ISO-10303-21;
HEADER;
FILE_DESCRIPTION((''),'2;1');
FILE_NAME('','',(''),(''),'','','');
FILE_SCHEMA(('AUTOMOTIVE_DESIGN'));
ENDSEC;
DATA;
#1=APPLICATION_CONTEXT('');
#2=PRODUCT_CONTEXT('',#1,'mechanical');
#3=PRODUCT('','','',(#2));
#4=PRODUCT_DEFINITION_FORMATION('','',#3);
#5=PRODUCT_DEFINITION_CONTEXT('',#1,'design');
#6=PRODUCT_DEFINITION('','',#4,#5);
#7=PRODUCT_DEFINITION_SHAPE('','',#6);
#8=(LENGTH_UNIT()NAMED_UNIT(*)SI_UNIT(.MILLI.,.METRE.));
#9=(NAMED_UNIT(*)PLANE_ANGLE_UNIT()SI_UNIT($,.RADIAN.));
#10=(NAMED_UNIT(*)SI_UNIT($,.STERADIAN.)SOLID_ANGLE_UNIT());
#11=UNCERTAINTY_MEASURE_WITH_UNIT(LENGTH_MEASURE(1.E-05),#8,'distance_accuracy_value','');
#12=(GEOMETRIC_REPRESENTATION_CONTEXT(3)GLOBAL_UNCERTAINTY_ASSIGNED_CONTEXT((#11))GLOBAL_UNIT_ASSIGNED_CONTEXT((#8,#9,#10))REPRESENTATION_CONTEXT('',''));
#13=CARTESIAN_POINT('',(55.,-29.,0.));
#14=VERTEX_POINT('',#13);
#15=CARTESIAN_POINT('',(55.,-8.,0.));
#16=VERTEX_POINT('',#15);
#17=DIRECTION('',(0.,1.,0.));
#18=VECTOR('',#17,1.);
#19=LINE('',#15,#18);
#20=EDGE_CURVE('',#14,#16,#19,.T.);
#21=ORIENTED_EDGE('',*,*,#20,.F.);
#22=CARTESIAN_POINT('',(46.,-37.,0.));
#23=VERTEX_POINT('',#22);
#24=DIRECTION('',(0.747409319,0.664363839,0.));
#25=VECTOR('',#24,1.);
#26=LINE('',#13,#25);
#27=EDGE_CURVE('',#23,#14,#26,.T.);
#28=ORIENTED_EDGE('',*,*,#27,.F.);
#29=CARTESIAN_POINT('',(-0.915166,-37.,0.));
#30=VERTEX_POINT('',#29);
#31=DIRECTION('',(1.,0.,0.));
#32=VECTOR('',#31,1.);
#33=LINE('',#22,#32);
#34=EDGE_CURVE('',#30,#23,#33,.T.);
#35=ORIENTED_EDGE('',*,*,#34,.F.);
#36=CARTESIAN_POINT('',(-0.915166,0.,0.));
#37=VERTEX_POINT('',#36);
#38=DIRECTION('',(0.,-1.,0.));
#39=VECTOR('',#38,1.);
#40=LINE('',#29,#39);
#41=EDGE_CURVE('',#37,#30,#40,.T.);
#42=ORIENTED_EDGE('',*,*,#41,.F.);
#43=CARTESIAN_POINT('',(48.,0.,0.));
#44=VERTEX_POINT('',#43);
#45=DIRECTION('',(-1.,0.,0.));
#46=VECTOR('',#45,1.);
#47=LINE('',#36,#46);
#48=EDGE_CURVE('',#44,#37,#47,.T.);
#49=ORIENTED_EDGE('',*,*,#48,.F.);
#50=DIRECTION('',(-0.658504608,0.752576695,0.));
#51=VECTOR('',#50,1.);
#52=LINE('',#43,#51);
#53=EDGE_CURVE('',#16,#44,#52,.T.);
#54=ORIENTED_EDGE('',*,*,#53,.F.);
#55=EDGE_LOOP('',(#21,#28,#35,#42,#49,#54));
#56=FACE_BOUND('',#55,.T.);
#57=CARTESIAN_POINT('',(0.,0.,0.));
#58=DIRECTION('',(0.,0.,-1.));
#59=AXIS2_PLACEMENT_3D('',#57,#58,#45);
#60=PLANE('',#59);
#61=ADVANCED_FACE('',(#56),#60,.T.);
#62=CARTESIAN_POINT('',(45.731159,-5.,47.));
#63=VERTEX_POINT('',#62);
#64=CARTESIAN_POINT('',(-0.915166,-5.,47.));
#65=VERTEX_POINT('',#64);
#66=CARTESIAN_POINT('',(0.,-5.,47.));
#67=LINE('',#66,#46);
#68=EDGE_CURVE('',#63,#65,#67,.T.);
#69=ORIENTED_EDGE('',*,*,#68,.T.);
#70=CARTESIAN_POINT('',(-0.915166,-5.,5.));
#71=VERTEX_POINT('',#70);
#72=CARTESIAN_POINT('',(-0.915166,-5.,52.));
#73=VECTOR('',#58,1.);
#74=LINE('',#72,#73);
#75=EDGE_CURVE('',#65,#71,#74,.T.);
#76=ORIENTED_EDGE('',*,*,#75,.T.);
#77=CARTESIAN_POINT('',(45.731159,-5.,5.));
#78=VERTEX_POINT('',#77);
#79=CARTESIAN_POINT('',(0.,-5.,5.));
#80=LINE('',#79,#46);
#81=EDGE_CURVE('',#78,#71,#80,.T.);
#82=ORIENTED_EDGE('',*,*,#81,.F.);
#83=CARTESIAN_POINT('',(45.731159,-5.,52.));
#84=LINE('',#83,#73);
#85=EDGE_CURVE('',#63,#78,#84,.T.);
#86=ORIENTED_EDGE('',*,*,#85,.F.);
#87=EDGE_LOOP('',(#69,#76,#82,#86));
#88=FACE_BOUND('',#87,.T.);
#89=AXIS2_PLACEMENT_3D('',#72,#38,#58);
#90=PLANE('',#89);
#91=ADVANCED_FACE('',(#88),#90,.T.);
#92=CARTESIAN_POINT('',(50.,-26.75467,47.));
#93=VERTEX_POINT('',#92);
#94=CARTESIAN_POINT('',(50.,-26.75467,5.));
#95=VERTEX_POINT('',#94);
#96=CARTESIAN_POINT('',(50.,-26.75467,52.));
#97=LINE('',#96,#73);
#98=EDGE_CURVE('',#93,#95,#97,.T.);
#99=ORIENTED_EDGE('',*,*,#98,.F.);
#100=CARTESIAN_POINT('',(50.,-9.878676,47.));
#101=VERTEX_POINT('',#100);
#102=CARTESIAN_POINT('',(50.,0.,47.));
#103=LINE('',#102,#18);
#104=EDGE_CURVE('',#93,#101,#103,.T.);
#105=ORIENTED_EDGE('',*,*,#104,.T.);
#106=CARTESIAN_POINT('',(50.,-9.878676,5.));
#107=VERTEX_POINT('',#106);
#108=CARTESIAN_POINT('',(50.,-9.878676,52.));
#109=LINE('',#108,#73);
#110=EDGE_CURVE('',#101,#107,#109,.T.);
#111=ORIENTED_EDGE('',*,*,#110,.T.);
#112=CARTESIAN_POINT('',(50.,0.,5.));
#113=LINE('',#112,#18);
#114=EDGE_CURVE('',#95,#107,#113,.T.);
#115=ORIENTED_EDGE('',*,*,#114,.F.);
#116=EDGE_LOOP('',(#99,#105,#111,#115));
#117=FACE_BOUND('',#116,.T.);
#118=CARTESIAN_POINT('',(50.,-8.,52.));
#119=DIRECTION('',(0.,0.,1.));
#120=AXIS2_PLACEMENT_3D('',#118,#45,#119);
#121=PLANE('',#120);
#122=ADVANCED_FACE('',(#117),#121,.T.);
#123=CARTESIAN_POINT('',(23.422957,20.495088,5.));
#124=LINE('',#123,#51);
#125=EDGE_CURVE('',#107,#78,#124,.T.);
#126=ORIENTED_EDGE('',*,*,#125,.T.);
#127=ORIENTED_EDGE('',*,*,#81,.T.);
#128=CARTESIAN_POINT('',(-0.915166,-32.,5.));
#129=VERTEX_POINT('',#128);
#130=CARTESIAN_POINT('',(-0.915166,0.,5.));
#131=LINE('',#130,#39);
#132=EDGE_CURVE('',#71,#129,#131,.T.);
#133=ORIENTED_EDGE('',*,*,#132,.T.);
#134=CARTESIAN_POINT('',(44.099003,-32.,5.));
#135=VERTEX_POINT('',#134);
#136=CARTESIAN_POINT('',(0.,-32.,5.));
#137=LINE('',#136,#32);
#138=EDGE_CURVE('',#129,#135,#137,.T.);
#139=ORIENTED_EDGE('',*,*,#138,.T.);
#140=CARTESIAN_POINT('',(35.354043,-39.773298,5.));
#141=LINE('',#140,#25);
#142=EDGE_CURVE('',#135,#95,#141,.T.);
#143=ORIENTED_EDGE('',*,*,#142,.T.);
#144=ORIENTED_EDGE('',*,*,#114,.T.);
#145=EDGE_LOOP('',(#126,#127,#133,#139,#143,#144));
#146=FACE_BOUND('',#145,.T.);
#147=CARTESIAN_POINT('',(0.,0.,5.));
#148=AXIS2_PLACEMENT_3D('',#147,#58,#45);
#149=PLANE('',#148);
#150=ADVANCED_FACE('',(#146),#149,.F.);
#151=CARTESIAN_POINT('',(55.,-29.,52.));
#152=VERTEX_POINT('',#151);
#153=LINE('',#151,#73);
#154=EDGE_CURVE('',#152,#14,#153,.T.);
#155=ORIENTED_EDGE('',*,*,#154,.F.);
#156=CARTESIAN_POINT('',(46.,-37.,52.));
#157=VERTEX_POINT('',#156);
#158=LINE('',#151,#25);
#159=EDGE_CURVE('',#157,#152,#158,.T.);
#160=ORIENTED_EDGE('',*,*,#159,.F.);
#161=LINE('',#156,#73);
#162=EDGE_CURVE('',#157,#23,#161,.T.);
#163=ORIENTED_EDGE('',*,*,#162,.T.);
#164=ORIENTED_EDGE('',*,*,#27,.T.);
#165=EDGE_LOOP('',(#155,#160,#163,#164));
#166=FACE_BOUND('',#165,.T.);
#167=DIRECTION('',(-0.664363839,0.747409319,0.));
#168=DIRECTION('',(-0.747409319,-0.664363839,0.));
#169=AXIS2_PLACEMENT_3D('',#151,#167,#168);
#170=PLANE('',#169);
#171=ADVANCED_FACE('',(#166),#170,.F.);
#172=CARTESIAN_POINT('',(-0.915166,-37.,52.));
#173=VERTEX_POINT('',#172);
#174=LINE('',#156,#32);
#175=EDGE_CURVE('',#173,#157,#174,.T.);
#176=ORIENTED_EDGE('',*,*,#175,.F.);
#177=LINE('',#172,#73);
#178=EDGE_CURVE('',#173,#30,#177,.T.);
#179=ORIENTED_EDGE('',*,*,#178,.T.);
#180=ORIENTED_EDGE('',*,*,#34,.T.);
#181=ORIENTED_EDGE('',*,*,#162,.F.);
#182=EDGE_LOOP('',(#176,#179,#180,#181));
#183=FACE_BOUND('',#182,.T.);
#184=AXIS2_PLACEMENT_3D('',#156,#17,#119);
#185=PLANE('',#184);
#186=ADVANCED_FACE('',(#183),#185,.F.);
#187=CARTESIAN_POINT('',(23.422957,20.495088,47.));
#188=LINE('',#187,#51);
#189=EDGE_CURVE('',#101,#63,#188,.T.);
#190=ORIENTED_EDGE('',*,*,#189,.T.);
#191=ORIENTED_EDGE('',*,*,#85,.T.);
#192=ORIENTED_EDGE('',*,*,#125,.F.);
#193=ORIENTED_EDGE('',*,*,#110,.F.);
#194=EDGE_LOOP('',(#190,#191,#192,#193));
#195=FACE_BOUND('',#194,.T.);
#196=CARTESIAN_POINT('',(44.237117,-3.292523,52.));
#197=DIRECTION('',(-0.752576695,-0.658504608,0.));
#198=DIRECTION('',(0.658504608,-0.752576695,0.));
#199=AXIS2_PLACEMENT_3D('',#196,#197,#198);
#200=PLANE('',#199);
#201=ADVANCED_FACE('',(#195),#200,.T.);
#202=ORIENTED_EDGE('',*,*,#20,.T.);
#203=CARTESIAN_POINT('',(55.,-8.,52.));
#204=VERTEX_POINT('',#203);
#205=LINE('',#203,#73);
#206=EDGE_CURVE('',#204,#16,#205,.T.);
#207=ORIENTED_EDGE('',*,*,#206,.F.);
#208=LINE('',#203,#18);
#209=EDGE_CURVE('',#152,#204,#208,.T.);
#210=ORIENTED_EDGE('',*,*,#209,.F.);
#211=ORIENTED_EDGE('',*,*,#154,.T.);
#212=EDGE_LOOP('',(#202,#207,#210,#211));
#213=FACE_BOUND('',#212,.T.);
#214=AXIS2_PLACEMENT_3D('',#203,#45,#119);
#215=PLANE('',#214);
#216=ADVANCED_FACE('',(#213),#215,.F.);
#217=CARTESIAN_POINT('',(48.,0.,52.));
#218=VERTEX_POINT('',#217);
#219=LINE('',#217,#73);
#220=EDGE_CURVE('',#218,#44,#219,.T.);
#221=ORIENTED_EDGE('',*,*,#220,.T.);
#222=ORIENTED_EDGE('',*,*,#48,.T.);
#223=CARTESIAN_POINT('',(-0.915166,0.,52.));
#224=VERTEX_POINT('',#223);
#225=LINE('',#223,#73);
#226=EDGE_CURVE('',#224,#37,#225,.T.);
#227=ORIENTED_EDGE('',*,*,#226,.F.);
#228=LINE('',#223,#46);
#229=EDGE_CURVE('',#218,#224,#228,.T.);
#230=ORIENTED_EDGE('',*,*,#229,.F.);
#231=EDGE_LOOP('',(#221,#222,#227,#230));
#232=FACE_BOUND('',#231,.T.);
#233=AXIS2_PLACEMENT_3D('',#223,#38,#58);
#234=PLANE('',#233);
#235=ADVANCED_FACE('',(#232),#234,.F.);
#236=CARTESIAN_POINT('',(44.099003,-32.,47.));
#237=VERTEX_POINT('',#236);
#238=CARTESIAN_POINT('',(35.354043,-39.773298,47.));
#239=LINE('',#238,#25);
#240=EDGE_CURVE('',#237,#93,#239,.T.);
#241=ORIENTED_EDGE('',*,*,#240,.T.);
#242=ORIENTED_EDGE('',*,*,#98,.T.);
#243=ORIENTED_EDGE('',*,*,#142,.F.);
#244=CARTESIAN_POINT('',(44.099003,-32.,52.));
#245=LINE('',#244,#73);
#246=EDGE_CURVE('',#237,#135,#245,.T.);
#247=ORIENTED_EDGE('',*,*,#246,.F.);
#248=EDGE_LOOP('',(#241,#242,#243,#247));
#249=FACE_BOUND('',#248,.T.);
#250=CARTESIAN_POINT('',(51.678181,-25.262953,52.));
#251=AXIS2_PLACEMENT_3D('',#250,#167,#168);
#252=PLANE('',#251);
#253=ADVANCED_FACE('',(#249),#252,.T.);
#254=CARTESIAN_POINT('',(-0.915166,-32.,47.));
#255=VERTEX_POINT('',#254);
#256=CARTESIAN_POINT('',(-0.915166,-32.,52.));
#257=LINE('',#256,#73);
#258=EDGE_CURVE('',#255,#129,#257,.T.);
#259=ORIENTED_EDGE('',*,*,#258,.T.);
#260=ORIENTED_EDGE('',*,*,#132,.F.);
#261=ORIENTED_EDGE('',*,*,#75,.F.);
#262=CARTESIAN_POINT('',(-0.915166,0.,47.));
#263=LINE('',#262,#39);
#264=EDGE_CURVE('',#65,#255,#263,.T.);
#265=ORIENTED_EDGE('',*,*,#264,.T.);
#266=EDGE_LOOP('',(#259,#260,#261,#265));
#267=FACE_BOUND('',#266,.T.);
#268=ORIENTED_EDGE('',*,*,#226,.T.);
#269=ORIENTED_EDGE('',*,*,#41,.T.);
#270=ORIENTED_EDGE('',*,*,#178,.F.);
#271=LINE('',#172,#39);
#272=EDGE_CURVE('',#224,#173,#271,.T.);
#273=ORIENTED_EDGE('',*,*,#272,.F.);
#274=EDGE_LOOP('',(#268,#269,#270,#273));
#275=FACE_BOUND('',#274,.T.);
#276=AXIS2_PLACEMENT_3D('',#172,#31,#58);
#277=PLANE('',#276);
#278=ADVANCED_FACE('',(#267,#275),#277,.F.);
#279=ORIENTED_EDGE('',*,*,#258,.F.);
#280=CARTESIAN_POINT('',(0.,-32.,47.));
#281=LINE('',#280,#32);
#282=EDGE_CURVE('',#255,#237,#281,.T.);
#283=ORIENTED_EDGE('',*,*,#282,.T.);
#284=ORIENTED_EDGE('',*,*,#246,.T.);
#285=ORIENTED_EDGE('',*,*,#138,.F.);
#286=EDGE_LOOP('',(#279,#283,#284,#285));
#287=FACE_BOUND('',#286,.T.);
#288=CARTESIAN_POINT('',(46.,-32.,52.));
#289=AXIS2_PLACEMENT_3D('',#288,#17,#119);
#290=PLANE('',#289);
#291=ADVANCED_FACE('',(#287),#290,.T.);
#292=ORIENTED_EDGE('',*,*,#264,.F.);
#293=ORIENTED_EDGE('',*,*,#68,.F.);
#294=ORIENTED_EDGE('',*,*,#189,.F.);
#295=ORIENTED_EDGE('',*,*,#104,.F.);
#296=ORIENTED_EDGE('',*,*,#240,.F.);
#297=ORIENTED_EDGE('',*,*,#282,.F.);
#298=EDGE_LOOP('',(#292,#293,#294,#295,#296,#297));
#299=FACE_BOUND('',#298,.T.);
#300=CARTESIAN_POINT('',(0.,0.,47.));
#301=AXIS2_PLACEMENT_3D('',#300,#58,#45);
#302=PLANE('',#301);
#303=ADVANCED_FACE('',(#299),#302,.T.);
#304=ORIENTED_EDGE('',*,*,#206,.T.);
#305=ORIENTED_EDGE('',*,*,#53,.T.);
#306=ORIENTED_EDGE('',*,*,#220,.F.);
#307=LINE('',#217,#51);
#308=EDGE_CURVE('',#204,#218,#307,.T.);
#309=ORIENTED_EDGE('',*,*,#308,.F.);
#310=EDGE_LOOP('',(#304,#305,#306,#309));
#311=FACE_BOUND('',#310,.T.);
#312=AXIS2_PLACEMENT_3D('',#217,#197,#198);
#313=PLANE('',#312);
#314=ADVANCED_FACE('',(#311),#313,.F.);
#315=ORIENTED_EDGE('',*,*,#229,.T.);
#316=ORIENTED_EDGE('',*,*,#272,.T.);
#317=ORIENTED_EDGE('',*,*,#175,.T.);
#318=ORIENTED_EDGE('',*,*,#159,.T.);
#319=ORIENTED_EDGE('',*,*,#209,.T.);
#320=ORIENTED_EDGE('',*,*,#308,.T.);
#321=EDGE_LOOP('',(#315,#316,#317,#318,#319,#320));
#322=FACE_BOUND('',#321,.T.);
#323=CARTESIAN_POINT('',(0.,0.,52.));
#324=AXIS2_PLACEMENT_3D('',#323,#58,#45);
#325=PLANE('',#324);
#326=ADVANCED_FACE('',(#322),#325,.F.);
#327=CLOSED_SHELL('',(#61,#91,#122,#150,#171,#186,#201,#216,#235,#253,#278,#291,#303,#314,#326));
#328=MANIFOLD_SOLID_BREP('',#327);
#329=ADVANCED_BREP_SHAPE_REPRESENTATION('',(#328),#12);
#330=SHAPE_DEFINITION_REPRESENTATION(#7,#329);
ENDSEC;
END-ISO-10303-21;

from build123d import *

# Parameters (mm, degrees)
CLOSING_LIP_PROFILE_DEPTH = 52
SHELL_1_T                 = -5


with BuildPart() as part:
    # 草图1 → Closing_lip_profile (new body)
    with BuildSketch(Plane.XY):
        Polygon((-0.915165953, 0), (48, 0), (55, -8), (55, -29), (46, -37), (-0.915165953, -37), align=None)
    extrude(amount=CLOSING_LIP_PROFILE_DEPTH)

    # 抽壳1
    shell_1_openings = [part.faces().sort_by_distance(p)[0] for p in [
        (-0.915165953, -18.5, 26),
    ]]
    offset(amount=SHELL_1_T, openings=shell_1_openings, kind=Kind.INTERSECTION)


solid = part.part
